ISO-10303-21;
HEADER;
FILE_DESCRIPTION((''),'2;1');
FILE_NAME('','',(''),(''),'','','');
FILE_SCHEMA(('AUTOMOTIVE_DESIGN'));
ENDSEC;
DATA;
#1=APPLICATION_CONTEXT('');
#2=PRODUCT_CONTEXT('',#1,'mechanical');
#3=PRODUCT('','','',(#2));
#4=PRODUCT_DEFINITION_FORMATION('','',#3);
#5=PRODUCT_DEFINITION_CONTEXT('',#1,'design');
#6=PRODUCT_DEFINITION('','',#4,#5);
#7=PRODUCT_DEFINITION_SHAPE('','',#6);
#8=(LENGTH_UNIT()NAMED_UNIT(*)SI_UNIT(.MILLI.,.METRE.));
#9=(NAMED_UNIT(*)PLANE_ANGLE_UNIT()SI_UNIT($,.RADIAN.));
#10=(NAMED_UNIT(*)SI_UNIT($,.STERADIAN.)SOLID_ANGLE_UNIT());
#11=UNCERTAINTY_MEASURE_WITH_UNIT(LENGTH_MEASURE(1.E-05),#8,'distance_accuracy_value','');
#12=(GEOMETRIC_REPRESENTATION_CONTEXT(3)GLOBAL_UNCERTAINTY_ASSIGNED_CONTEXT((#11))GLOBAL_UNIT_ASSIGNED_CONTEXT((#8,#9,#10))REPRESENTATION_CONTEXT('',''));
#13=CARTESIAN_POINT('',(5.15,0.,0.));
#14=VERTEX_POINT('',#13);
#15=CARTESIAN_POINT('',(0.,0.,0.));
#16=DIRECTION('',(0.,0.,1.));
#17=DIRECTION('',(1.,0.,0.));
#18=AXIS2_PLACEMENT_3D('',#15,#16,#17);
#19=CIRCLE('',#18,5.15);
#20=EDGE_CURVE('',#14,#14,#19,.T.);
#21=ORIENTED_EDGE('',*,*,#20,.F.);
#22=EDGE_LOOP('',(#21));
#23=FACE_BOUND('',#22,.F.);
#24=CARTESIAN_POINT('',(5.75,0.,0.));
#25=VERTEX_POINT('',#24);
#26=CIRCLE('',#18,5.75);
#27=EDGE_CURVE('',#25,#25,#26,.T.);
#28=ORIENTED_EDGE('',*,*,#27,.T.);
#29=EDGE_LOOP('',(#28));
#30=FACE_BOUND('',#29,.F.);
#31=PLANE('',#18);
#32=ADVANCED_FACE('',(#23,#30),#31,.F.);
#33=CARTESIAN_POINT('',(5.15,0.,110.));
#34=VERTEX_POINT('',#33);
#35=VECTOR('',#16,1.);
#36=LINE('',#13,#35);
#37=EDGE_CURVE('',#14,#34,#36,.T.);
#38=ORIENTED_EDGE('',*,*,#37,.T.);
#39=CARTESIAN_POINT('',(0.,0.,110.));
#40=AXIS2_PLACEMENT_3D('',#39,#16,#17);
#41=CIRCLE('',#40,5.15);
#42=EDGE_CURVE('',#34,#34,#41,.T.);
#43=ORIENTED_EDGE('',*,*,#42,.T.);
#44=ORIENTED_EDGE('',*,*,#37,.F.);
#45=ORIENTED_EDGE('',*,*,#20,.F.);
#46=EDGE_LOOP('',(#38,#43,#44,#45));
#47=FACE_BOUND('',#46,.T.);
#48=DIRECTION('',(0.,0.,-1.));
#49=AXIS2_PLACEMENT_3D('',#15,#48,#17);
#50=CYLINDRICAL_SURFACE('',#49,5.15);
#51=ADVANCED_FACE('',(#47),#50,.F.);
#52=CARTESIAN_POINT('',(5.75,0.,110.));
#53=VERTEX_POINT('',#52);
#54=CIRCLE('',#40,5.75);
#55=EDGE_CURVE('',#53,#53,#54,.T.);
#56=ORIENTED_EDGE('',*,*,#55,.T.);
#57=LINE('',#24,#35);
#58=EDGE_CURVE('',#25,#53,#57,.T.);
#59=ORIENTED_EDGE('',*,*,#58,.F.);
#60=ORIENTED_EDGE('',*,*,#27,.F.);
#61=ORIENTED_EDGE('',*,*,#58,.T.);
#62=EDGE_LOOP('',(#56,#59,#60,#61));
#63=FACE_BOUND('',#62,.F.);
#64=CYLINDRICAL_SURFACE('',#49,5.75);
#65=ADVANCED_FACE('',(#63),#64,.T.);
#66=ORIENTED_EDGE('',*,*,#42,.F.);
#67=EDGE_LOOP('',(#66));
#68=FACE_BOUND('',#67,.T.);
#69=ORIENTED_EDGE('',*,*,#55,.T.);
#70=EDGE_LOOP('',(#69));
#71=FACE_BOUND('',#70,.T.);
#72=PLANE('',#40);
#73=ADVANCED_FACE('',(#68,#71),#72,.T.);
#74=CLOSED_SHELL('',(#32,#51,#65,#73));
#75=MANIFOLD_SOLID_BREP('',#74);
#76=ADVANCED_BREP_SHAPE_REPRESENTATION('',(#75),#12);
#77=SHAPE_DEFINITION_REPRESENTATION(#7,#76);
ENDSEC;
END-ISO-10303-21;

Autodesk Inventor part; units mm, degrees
ref_plane "YZ Plane" through (0, 0, 0) normal (1, 0, 0) x (0, 1, 0)
ref_plane "XZ Plane" through (0, 0, 0) normal (0, 1, 0) x (-1, 0, 0)
ref_plane "XY Plane" through (0, 0, 0) normal (0, 0, 1) x (1, 0, 0)
sketch "Sketch1" plane through (0, 0, 0) normal (0, 0, 1) x (1, 0, 0)
  circle A0 centre (0, 0) radius 5.15
  circle A1 centre (0, 0) radius 5.75
  dimension "d1" = 10.3
  dimension "d5" = 11.5
extrude "Extrusion1" add sketch "Sketch1" along normal blind 110
properties part number "Electrode Skirt Pipe" material "Stainless Steel"
